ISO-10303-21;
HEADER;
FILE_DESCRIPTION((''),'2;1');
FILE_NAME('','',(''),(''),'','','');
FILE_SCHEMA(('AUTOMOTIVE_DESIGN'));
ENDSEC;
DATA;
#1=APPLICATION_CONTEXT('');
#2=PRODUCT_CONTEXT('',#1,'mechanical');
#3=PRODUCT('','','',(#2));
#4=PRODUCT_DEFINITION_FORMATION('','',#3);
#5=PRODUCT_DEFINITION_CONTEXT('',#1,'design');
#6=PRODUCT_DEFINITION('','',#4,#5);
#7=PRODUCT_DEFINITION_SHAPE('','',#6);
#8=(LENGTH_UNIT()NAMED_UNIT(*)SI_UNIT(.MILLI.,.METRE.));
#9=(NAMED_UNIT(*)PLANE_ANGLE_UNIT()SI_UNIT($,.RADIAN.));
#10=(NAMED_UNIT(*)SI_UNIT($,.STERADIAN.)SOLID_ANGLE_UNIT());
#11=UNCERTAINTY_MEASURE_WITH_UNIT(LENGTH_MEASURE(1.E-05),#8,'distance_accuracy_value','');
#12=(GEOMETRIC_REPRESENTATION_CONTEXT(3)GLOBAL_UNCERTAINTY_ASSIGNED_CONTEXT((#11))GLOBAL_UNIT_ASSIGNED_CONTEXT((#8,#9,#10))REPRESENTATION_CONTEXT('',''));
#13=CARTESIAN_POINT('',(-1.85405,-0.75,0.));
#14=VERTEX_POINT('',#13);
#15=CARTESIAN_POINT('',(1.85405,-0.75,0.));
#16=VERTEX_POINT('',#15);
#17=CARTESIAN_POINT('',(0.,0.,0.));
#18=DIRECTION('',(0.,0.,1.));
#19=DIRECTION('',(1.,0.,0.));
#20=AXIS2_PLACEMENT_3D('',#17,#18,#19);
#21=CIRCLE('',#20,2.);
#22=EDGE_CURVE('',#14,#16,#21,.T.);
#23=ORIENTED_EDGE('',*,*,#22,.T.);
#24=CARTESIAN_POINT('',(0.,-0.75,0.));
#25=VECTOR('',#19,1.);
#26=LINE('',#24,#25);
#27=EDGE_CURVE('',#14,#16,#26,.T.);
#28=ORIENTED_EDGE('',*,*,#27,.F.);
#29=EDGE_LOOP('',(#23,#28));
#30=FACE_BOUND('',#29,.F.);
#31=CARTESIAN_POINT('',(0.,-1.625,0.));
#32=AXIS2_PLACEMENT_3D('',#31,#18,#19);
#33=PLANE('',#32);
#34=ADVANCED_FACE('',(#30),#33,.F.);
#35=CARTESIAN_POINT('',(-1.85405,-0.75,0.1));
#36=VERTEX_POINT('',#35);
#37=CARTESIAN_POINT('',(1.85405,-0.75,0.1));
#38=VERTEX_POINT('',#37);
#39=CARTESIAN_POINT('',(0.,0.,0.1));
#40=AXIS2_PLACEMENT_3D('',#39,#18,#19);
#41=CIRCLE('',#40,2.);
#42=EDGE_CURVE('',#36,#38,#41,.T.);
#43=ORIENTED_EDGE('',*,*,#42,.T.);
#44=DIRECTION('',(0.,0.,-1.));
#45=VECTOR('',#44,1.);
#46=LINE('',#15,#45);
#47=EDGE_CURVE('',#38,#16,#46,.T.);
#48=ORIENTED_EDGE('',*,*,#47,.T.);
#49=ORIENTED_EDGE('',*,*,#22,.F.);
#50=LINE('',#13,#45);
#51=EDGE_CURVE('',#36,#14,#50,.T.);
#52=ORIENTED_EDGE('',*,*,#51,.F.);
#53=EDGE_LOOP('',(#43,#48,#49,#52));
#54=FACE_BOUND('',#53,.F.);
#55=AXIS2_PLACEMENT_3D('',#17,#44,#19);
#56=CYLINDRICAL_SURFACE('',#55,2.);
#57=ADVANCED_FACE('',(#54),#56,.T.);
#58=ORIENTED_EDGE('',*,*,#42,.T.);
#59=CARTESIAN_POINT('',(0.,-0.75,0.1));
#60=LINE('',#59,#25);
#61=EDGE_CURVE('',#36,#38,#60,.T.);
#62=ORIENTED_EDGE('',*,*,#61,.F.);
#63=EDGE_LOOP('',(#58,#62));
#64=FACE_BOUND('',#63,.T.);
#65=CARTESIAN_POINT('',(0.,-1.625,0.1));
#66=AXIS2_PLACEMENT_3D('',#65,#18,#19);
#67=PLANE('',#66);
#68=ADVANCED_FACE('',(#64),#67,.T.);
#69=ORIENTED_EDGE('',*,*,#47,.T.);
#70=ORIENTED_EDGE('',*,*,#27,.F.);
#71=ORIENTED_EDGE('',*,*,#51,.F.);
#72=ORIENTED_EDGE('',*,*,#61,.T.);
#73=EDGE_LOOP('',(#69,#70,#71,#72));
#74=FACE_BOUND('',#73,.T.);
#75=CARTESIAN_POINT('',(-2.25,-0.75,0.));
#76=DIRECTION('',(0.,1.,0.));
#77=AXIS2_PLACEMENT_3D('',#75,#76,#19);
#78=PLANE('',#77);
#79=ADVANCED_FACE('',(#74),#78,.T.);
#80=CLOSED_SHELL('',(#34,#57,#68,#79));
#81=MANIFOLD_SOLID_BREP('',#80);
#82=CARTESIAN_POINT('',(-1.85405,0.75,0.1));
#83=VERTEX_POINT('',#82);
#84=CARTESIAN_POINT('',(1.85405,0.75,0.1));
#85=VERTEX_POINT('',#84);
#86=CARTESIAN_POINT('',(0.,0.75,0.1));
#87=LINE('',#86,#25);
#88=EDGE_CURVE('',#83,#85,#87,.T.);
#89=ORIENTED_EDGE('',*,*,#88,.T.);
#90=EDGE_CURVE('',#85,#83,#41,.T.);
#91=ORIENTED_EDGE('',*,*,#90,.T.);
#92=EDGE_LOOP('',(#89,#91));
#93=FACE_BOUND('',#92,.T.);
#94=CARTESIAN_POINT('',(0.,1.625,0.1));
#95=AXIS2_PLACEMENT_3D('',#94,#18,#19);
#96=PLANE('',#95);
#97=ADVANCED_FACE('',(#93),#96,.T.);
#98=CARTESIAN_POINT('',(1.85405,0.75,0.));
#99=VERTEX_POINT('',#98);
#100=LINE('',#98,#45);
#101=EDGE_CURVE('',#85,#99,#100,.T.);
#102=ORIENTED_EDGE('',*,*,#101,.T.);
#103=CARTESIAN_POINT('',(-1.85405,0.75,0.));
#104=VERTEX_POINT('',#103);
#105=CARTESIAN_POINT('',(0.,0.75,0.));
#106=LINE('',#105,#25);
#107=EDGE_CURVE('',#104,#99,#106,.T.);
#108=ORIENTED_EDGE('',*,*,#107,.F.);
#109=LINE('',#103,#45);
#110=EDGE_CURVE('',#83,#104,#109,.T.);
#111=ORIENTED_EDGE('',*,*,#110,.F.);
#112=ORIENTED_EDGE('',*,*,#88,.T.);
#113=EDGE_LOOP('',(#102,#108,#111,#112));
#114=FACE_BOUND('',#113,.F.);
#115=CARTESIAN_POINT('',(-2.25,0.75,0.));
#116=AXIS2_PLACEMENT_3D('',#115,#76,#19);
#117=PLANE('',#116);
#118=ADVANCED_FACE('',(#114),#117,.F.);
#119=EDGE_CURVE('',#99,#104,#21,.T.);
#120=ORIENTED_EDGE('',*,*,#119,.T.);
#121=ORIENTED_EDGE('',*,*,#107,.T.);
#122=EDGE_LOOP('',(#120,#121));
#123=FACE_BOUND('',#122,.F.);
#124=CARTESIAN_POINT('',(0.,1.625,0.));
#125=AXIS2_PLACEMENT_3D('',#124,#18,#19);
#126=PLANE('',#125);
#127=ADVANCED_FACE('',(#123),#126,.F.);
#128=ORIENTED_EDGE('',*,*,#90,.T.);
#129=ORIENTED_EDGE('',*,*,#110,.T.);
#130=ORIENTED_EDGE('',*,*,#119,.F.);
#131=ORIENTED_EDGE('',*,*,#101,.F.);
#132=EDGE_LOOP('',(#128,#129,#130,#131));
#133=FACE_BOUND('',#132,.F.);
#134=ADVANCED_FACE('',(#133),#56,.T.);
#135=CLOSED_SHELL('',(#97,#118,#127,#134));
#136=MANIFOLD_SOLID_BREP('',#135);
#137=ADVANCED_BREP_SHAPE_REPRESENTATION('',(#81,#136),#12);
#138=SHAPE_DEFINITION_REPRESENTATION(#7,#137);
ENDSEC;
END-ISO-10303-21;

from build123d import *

# Parameters (mm, degrees)
CYLINDER_R     = 2
CYLINDER_DEPTH = 0.1
SKETCH_W       = 4.5
SKETCH_H       = 1.75
PAD_DEPTH      = 0.1


with BuildPart() as cylinder:
    # Cylinder → Cylinder (new body)
    with BuildSketch(Plane.XY):
        Circle(CYLINDER_R)
    extrude(amount=CYLINDER_DEPTH)


with BuildPart() as common:
    # Sketch → Pad (new body)
    with BuildSketch(Plane.XY):
        with Locations((0, 1.625)):
            Rectangle(SKETCH_W, SKETCH_H)
        with Locations((0, -1.625)):
            Rectangle(SKETCH_W, SKETCH_H)
    extrude(amount=PAD_DEPTH)

    # Common: intersect Cylinder
    add(cylinder.part, mode=Mode.INTERSECT)


solid = common.part
